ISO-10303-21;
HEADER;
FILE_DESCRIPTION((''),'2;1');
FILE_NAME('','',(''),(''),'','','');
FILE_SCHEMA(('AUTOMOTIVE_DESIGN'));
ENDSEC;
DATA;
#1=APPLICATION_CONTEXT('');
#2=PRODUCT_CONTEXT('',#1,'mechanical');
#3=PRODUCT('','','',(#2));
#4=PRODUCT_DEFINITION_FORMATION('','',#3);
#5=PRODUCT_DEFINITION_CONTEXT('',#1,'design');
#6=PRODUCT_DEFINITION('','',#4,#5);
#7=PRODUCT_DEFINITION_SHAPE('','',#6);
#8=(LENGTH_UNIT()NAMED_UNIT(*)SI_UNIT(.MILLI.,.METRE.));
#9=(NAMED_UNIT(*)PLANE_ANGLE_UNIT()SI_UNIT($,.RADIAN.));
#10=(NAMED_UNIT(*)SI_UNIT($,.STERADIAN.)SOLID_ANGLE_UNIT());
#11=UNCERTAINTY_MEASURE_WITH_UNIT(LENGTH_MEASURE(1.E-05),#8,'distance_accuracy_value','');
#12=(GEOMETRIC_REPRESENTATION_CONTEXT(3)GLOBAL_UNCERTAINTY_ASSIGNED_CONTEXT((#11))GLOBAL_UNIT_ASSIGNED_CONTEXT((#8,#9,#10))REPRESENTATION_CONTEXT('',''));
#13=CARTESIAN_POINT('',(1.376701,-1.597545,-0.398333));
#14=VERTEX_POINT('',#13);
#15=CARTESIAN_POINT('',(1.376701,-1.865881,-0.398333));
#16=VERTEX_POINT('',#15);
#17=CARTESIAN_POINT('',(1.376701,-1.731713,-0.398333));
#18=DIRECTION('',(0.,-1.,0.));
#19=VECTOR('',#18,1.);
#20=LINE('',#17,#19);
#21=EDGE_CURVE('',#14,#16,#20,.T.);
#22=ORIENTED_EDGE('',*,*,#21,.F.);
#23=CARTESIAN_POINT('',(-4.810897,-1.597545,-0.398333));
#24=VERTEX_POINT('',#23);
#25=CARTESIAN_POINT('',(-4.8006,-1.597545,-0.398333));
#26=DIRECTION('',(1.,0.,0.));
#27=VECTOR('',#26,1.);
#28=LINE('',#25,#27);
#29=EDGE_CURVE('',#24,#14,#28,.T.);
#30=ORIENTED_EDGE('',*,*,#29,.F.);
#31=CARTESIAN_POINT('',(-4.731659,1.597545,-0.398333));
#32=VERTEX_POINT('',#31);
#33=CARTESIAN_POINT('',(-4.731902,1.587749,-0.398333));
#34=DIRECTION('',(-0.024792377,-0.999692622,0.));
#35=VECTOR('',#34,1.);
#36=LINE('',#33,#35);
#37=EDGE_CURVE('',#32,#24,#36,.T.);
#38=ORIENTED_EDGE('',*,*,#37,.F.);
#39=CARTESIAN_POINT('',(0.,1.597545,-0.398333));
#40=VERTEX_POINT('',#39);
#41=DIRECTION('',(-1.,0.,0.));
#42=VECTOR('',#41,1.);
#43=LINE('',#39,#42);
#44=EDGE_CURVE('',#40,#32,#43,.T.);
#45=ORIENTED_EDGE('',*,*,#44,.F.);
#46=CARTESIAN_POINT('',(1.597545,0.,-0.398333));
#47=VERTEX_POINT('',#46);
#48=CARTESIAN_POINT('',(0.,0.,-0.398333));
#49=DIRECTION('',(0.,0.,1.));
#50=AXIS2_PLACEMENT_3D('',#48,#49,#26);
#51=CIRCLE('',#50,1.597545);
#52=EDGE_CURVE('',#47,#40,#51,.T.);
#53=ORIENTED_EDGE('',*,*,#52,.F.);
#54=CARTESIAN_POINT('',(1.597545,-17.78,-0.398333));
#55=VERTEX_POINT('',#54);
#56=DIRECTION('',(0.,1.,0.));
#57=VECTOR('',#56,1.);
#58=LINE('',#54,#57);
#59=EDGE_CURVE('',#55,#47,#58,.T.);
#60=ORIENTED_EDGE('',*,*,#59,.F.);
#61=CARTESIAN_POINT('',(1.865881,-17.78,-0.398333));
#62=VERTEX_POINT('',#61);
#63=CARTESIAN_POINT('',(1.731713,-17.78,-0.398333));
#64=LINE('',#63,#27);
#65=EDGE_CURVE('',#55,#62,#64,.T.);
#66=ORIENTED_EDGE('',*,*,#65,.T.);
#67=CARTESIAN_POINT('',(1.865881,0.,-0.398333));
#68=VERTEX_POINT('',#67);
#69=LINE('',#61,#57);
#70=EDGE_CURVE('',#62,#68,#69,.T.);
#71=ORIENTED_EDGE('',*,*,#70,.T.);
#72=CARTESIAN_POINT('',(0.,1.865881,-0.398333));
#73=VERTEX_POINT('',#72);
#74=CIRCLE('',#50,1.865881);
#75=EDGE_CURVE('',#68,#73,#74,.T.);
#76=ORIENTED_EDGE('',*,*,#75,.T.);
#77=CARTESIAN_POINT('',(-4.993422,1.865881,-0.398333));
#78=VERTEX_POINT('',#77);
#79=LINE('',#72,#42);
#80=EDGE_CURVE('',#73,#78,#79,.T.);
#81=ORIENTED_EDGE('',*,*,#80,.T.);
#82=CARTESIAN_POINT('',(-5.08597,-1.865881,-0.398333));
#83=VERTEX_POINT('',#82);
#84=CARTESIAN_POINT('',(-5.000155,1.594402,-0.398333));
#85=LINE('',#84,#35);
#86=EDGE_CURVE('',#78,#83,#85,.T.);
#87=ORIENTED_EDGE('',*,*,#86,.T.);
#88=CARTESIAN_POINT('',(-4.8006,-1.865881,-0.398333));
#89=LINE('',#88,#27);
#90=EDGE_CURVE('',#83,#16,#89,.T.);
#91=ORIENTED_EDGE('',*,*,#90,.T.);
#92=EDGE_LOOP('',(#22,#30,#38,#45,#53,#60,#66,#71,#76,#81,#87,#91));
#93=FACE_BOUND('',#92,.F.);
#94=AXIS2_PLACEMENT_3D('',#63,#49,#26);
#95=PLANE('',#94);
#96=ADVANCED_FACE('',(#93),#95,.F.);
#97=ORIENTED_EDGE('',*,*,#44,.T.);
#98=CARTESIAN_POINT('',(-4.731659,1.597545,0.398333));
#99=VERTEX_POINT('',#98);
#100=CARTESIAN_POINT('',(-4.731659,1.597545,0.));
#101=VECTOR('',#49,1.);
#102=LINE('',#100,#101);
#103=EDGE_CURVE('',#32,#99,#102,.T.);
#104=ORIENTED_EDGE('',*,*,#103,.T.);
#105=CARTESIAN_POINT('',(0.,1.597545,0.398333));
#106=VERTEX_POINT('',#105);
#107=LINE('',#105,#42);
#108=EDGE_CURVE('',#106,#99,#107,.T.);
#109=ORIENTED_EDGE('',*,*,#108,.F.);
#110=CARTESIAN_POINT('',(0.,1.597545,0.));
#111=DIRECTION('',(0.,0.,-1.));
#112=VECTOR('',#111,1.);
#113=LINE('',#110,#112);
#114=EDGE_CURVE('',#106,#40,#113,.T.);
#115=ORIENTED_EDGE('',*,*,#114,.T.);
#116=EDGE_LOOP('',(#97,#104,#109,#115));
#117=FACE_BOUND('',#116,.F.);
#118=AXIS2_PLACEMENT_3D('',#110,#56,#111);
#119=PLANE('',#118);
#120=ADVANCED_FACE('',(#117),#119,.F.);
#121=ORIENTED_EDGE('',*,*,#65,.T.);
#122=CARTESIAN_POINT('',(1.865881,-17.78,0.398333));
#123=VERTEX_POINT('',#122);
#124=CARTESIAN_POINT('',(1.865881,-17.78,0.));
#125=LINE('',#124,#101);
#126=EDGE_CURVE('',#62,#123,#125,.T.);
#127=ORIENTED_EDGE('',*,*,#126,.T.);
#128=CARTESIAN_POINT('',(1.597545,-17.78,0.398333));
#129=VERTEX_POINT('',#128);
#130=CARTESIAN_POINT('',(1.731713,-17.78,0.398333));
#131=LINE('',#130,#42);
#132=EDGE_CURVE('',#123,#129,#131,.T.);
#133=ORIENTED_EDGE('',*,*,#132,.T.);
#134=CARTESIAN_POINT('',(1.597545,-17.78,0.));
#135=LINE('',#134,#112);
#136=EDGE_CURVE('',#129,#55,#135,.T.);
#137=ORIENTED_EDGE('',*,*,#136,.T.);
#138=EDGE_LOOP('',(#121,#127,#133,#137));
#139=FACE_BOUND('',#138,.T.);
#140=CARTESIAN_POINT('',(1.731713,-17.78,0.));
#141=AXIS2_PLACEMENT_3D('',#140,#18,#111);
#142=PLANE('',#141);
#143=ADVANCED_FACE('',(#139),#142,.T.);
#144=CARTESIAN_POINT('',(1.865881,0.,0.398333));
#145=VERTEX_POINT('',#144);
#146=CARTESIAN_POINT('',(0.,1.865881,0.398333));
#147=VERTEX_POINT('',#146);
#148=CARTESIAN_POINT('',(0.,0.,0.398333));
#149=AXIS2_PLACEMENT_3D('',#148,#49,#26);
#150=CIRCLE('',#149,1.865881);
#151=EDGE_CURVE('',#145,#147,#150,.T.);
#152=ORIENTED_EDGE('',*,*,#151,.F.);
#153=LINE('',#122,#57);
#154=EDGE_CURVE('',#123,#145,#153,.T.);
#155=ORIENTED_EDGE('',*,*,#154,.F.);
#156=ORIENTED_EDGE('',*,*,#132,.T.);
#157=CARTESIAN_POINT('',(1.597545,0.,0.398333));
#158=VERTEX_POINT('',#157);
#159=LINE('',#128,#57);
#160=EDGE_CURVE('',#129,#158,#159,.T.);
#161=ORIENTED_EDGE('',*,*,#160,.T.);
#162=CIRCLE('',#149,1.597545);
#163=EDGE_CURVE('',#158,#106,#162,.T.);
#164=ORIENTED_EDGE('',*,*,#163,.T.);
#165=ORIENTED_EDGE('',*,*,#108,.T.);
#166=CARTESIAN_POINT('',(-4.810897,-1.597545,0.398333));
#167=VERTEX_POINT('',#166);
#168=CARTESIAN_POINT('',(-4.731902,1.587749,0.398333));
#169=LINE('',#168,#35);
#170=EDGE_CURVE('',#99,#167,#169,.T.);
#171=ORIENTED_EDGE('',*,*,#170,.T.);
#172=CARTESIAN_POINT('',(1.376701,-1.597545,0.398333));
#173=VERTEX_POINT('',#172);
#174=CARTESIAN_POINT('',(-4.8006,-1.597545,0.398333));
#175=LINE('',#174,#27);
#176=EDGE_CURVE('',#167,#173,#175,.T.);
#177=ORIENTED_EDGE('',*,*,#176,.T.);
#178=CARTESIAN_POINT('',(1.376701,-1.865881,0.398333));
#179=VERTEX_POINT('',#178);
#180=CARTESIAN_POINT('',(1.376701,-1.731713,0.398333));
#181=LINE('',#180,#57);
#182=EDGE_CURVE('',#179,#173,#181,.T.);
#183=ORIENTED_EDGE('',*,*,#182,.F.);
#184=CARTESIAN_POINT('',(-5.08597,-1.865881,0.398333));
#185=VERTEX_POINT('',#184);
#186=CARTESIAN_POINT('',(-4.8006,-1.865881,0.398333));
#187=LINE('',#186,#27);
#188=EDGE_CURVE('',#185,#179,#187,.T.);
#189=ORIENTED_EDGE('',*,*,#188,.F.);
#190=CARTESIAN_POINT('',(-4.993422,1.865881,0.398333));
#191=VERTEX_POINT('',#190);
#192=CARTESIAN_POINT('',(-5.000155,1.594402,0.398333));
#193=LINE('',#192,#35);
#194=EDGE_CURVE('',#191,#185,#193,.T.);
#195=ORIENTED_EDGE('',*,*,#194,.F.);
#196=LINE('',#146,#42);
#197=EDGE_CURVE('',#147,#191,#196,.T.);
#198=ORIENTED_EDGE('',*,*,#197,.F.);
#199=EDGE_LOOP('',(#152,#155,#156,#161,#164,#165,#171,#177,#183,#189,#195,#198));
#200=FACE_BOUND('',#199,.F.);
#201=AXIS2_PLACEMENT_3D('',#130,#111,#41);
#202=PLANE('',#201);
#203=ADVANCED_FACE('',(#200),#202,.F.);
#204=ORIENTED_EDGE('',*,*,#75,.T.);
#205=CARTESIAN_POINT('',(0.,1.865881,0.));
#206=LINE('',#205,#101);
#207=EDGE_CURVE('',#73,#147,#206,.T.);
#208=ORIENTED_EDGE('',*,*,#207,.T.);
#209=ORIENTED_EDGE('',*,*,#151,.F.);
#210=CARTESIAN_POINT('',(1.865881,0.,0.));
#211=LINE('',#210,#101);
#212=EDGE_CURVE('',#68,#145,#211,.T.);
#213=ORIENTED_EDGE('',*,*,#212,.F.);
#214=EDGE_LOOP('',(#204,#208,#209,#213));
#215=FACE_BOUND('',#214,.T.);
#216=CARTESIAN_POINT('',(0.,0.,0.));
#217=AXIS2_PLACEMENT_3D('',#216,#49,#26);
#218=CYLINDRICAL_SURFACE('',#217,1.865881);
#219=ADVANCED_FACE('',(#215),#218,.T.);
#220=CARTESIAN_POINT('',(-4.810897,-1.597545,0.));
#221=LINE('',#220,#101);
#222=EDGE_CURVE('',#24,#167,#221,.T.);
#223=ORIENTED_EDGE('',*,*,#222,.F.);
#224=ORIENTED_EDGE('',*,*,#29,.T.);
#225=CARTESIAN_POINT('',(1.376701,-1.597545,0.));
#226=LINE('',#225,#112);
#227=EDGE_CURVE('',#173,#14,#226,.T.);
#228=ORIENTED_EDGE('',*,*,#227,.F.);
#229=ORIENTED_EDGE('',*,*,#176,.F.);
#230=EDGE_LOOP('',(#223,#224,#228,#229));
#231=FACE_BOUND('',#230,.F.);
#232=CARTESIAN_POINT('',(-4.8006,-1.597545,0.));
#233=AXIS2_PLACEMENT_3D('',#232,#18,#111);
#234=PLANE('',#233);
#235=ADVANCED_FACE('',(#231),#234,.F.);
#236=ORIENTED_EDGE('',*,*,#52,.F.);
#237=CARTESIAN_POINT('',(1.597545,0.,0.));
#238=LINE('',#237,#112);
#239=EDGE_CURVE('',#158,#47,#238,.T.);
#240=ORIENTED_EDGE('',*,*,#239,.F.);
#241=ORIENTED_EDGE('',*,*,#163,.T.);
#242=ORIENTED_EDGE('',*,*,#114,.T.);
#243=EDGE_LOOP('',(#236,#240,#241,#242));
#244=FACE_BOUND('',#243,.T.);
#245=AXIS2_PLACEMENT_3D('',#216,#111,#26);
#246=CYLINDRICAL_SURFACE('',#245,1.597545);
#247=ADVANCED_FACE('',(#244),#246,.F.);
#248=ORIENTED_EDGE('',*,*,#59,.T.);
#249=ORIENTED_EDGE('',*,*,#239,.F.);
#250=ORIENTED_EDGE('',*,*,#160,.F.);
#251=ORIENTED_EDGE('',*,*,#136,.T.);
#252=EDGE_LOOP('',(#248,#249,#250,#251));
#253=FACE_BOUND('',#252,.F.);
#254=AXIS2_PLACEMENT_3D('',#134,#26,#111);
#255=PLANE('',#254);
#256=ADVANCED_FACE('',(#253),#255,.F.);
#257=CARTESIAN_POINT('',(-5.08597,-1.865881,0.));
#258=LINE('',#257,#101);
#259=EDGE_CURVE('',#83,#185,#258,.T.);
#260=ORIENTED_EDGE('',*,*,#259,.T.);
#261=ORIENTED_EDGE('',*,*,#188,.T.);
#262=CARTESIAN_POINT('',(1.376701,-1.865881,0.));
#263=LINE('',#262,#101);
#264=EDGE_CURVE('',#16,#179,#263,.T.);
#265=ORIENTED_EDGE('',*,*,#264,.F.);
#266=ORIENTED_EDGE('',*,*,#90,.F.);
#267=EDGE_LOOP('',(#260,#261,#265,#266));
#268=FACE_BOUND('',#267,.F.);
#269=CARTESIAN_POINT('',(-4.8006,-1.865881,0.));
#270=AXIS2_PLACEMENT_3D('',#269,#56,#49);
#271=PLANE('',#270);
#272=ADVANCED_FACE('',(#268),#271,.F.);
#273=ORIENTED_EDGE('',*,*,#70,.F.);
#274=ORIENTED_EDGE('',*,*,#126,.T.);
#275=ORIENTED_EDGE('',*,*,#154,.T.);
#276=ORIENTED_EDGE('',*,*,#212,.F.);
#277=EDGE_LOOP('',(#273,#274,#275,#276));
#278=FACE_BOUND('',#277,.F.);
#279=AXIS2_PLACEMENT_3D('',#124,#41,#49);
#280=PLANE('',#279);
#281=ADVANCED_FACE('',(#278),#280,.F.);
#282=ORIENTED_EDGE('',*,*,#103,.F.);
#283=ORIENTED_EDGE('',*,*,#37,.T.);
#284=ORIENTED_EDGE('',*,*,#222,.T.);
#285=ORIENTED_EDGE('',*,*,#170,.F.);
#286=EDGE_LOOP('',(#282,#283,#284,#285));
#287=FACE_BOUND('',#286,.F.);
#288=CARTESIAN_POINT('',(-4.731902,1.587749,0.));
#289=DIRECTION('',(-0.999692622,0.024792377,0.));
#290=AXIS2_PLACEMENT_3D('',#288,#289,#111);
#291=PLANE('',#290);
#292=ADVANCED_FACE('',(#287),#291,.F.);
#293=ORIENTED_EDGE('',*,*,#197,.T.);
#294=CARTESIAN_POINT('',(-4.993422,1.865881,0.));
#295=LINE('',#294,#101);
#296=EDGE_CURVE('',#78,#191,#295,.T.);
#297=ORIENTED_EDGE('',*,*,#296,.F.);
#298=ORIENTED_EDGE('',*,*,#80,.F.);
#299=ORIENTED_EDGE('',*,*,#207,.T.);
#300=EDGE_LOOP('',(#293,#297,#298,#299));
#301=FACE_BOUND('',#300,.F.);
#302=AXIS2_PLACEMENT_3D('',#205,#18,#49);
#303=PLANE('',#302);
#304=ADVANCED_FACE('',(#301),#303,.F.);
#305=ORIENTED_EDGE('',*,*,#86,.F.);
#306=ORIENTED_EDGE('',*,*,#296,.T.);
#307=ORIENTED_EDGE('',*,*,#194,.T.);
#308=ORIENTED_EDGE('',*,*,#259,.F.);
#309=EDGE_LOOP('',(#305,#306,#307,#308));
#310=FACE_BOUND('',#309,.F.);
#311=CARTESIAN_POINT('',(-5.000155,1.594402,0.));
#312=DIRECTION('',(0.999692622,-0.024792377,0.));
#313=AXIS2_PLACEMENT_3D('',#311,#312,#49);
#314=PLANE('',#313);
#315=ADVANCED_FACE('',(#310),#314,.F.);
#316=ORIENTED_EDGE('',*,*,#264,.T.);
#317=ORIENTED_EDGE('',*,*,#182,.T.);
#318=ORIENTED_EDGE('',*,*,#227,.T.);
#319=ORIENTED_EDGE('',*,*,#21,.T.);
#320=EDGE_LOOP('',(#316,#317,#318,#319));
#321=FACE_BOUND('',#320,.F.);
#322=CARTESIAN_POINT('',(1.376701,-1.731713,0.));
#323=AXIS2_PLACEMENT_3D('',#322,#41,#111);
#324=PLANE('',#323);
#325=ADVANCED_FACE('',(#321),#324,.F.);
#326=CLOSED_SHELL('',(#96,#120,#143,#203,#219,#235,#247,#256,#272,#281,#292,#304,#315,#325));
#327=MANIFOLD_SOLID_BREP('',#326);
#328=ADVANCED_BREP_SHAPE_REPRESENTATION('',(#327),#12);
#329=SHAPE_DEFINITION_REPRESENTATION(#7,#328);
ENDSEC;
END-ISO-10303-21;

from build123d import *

# Parameters (mm, degrees)
F2_W = 0.2683359198
F2_H = 0.7966654957


with BuildPart() as f3:
    # F3: sweep along a path in F0
    with BuildLine(Plane.XY) as f3_path:
        Line((1.5875, -17.78), (1.5875, 0))
        ThreePointArc((1.5875, 0), (1.1225320151, 1.1225320151), (0, 1.5875))
        Line((0, 1.5875), (-4.72186, 1.5875))
        Line((-4.72186, 1.5875), (-4.8006, -1.5875))
        Line((-4.8006, -1.5875), (0, -1.5875))
        Line((0, -1.5875), (1.3767013472, -1.5875))
    # F2 (on plane+point) → F3 (sweep)
    with BuildSketch(Plane.XZ.offset(17.78)):
        with Locations((1.7317127204, 0)):
            Rectangle(F2_W, F2_H)
    sweep(path=f3_path.line, transition=Transition.RIGHT)


solid = f3.part
